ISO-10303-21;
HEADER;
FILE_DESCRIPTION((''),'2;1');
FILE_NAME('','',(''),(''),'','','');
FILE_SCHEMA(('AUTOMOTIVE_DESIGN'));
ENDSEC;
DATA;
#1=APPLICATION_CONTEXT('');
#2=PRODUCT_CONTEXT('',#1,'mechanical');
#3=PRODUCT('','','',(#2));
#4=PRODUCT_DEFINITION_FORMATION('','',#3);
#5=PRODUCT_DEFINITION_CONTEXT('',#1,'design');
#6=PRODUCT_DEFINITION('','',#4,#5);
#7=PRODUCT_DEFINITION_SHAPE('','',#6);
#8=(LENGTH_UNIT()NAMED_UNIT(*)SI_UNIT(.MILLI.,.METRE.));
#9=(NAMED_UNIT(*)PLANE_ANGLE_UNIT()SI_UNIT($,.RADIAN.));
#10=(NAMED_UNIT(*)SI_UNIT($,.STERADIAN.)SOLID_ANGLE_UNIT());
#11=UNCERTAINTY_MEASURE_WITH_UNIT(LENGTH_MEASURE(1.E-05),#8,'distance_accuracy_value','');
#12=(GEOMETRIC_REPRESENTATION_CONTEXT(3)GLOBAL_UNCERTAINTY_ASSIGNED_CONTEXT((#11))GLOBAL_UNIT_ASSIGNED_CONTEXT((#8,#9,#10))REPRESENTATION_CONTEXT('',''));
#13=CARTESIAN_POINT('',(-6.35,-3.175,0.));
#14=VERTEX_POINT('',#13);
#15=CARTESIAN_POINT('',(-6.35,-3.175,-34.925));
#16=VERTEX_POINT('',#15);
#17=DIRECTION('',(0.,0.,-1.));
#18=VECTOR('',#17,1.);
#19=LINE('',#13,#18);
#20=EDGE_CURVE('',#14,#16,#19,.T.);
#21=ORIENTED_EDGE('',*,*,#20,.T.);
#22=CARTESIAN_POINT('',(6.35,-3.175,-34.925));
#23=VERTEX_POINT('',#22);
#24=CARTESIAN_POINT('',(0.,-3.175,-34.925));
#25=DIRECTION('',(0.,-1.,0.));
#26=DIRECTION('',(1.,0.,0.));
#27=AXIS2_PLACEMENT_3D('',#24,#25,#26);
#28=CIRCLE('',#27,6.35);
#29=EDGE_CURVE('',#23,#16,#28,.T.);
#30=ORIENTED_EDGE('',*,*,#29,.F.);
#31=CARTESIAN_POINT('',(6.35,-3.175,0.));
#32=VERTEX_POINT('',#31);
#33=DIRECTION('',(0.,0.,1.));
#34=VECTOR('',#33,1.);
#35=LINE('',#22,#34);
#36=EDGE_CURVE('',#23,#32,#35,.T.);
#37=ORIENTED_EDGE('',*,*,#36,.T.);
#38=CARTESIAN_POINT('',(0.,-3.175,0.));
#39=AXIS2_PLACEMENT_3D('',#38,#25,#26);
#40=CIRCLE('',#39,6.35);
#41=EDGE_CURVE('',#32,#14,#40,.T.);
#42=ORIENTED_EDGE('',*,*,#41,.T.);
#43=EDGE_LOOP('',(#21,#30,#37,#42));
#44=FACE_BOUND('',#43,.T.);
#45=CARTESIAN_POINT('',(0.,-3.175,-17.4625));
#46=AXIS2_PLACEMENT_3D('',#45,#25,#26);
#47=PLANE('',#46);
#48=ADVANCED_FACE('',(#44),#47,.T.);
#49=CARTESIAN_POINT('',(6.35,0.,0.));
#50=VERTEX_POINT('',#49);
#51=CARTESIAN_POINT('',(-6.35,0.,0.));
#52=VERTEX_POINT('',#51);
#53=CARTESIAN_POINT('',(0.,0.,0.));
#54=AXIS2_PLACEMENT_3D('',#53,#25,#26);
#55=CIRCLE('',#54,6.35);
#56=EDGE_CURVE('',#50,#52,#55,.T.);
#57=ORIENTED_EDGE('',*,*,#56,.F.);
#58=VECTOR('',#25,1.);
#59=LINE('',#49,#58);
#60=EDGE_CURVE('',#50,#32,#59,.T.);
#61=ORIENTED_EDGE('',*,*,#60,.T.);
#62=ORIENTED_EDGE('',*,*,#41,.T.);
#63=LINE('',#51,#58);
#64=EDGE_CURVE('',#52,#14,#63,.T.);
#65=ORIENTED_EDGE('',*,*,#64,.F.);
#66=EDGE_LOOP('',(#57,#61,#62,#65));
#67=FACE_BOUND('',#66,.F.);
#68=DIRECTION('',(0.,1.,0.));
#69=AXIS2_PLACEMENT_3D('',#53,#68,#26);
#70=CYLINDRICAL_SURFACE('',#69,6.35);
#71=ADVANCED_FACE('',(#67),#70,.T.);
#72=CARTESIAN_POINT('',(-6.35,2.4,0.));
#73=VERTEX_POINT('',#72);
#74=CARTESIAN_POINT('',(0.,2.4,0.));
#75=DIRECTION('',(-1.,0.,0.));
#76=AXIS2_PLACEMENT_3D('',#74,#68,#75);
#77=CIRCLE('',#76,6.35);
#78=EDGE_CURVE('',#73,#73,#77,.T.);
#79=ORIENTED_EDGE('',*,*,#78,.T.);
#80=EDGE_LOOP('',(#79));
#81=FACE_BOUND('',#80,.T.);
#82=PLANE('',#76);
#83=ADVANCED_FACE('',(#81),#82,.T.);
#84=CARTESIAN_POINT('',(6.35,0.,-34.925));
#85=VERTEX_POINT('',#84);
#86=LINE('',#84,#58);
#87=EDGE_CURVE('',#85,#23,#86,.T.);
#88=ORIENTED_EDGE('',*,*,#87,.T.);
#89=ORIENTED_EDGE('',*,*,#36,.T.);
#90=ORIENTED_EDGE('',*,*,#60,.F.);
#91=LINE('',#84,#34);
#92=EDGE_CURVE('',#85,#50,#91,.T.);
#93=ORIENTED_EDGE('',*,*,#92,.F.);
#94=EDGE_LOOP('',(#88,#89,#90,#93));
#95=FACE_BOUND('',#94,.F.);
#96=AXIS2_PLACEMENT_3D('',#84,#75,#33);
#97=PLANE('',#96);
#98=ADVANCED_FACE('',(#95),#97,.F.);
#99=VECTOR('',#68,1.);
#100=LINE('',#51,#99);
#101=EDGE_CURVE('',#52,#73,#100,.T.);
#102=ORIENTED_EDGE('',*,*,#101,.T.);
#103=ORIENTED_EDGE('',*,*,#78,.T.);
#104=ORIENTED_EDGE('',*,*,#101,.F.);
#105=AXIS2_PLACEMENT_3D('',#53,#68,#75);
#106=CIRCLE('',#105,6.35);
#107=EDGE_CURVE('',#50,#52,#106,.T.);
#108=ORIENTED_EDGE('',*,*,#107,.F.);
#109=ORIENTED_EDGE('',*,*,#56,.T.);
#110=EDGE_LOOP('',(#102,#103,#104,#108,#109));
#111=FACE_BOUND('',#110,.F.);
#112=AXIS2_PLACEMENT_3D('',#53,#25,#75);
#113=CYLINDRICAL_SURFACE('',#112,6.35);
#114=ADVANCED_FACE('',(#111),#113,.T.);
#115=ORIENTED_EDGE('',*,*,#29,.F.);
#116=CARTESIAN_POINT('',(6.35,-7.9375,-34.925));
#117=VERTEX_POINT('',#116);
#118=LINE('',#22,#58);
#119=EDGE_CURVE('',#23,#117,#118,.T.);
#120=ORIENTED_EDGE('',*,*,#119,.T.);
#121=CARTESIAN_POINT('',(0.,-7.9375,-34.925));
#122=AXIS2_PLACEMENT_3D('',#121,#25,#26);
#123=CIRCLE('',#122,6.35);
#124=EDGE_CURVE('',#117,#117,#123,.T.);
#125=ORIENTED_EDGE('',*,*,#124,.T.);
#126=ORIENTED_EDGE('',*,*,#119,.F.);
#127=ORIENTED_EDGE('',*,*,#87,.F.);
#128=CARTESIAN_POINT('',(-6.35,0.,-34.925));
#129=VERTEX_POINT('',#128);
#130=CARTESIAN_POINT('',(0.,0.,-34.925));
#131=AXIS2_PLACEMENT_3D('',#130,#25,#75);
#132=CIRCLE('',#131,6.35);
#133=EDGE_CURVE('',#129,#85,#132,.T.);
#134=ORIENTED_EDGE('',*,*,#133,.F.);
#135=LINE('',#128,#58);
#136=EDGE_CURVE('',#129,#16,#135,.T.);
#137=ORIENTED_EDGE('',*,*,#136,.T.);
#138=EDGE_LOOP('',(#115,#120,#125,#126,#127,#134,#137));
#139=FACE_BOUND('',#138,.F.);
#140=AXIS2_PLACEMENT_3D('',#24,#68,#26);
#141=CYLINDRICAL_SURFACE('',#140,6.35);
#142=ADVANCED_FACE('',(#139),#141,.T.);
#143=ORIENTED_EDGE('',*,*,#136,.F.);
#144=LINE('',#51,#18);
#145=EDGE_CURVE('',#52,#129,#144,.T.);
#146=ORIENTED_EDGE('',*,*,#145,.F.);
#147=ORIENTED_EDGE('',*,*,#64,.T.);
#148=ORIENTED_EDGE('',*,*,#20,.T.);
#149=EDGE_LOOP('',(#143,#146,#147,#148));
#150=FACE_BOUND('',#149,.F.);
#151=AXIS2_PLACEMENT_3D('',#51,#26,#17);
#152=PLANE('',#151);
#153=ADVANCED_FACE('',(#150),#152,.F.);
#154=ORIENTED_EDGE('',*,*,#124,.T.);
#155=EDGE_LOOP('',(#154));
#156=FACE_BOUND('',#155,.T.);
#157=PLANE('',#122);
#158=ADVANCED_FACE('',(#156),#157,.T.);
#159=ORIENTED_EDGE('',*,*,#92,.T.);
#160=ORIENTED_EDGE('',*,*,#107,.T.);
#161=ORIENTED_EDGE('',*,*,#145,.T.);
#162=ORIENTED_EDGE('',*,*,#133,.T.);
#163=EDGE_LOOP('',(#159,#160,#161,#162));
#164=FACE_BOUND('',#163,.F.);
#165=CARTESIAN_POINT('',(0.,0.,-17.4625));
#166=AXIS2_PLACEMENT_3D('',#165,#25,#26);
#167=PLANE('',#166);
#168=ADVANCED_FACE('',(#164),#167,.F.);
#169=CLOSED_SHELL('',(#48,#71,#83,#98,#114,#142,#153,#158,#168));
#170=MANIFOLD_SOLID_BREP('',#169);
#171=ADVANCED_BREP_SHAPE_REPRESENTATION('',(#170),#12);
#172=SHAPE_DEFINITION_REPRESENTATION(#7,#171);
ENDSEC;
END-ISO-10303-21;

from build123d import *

# Parameters (mm, degrees)
F1_DEPTH = 3.175
F2_R     = 6.35
F3_DEPTH = 2.4
F4_R     = 6.35
F5_DEPTH = 4.7625


with BuildPart() as f1:
    # F0 (on Front) → F1 (new body)
    with BuildSketch(Plane.XZ):
        with BuildLine():
            Line((-6.35, 0), (-6.35, -34.925))
            ThreePointArc((-6.35, -34.925), (0, -41.275), (6.35, -34.925))
            Line((6.35, -34.925), (6.35, 0))
            ThreePointArc((6.35, 0), (0, 6.35), (-6.35, 0))
        make_face()
    extrude(amount=F1_DEPTH)

    # F2 (on face) → F3 (join)
    with BuildSketch(Plane(origin=(0, 0, 0), x_dir=(-1, 0, 0), z_dir=(0, 1, 0))):
        Circle(F2_R)
    extrude(amount=F3_DEPTH)

    # F4 (on face) → F5 (join)
    with BuildSketch(Plane.XZ.offset(3.175)):
        with Locations((0, -34.925)):
            Circle(F4_R)
    extrude(amount=F5_DEPTH)


solid = f1.part
